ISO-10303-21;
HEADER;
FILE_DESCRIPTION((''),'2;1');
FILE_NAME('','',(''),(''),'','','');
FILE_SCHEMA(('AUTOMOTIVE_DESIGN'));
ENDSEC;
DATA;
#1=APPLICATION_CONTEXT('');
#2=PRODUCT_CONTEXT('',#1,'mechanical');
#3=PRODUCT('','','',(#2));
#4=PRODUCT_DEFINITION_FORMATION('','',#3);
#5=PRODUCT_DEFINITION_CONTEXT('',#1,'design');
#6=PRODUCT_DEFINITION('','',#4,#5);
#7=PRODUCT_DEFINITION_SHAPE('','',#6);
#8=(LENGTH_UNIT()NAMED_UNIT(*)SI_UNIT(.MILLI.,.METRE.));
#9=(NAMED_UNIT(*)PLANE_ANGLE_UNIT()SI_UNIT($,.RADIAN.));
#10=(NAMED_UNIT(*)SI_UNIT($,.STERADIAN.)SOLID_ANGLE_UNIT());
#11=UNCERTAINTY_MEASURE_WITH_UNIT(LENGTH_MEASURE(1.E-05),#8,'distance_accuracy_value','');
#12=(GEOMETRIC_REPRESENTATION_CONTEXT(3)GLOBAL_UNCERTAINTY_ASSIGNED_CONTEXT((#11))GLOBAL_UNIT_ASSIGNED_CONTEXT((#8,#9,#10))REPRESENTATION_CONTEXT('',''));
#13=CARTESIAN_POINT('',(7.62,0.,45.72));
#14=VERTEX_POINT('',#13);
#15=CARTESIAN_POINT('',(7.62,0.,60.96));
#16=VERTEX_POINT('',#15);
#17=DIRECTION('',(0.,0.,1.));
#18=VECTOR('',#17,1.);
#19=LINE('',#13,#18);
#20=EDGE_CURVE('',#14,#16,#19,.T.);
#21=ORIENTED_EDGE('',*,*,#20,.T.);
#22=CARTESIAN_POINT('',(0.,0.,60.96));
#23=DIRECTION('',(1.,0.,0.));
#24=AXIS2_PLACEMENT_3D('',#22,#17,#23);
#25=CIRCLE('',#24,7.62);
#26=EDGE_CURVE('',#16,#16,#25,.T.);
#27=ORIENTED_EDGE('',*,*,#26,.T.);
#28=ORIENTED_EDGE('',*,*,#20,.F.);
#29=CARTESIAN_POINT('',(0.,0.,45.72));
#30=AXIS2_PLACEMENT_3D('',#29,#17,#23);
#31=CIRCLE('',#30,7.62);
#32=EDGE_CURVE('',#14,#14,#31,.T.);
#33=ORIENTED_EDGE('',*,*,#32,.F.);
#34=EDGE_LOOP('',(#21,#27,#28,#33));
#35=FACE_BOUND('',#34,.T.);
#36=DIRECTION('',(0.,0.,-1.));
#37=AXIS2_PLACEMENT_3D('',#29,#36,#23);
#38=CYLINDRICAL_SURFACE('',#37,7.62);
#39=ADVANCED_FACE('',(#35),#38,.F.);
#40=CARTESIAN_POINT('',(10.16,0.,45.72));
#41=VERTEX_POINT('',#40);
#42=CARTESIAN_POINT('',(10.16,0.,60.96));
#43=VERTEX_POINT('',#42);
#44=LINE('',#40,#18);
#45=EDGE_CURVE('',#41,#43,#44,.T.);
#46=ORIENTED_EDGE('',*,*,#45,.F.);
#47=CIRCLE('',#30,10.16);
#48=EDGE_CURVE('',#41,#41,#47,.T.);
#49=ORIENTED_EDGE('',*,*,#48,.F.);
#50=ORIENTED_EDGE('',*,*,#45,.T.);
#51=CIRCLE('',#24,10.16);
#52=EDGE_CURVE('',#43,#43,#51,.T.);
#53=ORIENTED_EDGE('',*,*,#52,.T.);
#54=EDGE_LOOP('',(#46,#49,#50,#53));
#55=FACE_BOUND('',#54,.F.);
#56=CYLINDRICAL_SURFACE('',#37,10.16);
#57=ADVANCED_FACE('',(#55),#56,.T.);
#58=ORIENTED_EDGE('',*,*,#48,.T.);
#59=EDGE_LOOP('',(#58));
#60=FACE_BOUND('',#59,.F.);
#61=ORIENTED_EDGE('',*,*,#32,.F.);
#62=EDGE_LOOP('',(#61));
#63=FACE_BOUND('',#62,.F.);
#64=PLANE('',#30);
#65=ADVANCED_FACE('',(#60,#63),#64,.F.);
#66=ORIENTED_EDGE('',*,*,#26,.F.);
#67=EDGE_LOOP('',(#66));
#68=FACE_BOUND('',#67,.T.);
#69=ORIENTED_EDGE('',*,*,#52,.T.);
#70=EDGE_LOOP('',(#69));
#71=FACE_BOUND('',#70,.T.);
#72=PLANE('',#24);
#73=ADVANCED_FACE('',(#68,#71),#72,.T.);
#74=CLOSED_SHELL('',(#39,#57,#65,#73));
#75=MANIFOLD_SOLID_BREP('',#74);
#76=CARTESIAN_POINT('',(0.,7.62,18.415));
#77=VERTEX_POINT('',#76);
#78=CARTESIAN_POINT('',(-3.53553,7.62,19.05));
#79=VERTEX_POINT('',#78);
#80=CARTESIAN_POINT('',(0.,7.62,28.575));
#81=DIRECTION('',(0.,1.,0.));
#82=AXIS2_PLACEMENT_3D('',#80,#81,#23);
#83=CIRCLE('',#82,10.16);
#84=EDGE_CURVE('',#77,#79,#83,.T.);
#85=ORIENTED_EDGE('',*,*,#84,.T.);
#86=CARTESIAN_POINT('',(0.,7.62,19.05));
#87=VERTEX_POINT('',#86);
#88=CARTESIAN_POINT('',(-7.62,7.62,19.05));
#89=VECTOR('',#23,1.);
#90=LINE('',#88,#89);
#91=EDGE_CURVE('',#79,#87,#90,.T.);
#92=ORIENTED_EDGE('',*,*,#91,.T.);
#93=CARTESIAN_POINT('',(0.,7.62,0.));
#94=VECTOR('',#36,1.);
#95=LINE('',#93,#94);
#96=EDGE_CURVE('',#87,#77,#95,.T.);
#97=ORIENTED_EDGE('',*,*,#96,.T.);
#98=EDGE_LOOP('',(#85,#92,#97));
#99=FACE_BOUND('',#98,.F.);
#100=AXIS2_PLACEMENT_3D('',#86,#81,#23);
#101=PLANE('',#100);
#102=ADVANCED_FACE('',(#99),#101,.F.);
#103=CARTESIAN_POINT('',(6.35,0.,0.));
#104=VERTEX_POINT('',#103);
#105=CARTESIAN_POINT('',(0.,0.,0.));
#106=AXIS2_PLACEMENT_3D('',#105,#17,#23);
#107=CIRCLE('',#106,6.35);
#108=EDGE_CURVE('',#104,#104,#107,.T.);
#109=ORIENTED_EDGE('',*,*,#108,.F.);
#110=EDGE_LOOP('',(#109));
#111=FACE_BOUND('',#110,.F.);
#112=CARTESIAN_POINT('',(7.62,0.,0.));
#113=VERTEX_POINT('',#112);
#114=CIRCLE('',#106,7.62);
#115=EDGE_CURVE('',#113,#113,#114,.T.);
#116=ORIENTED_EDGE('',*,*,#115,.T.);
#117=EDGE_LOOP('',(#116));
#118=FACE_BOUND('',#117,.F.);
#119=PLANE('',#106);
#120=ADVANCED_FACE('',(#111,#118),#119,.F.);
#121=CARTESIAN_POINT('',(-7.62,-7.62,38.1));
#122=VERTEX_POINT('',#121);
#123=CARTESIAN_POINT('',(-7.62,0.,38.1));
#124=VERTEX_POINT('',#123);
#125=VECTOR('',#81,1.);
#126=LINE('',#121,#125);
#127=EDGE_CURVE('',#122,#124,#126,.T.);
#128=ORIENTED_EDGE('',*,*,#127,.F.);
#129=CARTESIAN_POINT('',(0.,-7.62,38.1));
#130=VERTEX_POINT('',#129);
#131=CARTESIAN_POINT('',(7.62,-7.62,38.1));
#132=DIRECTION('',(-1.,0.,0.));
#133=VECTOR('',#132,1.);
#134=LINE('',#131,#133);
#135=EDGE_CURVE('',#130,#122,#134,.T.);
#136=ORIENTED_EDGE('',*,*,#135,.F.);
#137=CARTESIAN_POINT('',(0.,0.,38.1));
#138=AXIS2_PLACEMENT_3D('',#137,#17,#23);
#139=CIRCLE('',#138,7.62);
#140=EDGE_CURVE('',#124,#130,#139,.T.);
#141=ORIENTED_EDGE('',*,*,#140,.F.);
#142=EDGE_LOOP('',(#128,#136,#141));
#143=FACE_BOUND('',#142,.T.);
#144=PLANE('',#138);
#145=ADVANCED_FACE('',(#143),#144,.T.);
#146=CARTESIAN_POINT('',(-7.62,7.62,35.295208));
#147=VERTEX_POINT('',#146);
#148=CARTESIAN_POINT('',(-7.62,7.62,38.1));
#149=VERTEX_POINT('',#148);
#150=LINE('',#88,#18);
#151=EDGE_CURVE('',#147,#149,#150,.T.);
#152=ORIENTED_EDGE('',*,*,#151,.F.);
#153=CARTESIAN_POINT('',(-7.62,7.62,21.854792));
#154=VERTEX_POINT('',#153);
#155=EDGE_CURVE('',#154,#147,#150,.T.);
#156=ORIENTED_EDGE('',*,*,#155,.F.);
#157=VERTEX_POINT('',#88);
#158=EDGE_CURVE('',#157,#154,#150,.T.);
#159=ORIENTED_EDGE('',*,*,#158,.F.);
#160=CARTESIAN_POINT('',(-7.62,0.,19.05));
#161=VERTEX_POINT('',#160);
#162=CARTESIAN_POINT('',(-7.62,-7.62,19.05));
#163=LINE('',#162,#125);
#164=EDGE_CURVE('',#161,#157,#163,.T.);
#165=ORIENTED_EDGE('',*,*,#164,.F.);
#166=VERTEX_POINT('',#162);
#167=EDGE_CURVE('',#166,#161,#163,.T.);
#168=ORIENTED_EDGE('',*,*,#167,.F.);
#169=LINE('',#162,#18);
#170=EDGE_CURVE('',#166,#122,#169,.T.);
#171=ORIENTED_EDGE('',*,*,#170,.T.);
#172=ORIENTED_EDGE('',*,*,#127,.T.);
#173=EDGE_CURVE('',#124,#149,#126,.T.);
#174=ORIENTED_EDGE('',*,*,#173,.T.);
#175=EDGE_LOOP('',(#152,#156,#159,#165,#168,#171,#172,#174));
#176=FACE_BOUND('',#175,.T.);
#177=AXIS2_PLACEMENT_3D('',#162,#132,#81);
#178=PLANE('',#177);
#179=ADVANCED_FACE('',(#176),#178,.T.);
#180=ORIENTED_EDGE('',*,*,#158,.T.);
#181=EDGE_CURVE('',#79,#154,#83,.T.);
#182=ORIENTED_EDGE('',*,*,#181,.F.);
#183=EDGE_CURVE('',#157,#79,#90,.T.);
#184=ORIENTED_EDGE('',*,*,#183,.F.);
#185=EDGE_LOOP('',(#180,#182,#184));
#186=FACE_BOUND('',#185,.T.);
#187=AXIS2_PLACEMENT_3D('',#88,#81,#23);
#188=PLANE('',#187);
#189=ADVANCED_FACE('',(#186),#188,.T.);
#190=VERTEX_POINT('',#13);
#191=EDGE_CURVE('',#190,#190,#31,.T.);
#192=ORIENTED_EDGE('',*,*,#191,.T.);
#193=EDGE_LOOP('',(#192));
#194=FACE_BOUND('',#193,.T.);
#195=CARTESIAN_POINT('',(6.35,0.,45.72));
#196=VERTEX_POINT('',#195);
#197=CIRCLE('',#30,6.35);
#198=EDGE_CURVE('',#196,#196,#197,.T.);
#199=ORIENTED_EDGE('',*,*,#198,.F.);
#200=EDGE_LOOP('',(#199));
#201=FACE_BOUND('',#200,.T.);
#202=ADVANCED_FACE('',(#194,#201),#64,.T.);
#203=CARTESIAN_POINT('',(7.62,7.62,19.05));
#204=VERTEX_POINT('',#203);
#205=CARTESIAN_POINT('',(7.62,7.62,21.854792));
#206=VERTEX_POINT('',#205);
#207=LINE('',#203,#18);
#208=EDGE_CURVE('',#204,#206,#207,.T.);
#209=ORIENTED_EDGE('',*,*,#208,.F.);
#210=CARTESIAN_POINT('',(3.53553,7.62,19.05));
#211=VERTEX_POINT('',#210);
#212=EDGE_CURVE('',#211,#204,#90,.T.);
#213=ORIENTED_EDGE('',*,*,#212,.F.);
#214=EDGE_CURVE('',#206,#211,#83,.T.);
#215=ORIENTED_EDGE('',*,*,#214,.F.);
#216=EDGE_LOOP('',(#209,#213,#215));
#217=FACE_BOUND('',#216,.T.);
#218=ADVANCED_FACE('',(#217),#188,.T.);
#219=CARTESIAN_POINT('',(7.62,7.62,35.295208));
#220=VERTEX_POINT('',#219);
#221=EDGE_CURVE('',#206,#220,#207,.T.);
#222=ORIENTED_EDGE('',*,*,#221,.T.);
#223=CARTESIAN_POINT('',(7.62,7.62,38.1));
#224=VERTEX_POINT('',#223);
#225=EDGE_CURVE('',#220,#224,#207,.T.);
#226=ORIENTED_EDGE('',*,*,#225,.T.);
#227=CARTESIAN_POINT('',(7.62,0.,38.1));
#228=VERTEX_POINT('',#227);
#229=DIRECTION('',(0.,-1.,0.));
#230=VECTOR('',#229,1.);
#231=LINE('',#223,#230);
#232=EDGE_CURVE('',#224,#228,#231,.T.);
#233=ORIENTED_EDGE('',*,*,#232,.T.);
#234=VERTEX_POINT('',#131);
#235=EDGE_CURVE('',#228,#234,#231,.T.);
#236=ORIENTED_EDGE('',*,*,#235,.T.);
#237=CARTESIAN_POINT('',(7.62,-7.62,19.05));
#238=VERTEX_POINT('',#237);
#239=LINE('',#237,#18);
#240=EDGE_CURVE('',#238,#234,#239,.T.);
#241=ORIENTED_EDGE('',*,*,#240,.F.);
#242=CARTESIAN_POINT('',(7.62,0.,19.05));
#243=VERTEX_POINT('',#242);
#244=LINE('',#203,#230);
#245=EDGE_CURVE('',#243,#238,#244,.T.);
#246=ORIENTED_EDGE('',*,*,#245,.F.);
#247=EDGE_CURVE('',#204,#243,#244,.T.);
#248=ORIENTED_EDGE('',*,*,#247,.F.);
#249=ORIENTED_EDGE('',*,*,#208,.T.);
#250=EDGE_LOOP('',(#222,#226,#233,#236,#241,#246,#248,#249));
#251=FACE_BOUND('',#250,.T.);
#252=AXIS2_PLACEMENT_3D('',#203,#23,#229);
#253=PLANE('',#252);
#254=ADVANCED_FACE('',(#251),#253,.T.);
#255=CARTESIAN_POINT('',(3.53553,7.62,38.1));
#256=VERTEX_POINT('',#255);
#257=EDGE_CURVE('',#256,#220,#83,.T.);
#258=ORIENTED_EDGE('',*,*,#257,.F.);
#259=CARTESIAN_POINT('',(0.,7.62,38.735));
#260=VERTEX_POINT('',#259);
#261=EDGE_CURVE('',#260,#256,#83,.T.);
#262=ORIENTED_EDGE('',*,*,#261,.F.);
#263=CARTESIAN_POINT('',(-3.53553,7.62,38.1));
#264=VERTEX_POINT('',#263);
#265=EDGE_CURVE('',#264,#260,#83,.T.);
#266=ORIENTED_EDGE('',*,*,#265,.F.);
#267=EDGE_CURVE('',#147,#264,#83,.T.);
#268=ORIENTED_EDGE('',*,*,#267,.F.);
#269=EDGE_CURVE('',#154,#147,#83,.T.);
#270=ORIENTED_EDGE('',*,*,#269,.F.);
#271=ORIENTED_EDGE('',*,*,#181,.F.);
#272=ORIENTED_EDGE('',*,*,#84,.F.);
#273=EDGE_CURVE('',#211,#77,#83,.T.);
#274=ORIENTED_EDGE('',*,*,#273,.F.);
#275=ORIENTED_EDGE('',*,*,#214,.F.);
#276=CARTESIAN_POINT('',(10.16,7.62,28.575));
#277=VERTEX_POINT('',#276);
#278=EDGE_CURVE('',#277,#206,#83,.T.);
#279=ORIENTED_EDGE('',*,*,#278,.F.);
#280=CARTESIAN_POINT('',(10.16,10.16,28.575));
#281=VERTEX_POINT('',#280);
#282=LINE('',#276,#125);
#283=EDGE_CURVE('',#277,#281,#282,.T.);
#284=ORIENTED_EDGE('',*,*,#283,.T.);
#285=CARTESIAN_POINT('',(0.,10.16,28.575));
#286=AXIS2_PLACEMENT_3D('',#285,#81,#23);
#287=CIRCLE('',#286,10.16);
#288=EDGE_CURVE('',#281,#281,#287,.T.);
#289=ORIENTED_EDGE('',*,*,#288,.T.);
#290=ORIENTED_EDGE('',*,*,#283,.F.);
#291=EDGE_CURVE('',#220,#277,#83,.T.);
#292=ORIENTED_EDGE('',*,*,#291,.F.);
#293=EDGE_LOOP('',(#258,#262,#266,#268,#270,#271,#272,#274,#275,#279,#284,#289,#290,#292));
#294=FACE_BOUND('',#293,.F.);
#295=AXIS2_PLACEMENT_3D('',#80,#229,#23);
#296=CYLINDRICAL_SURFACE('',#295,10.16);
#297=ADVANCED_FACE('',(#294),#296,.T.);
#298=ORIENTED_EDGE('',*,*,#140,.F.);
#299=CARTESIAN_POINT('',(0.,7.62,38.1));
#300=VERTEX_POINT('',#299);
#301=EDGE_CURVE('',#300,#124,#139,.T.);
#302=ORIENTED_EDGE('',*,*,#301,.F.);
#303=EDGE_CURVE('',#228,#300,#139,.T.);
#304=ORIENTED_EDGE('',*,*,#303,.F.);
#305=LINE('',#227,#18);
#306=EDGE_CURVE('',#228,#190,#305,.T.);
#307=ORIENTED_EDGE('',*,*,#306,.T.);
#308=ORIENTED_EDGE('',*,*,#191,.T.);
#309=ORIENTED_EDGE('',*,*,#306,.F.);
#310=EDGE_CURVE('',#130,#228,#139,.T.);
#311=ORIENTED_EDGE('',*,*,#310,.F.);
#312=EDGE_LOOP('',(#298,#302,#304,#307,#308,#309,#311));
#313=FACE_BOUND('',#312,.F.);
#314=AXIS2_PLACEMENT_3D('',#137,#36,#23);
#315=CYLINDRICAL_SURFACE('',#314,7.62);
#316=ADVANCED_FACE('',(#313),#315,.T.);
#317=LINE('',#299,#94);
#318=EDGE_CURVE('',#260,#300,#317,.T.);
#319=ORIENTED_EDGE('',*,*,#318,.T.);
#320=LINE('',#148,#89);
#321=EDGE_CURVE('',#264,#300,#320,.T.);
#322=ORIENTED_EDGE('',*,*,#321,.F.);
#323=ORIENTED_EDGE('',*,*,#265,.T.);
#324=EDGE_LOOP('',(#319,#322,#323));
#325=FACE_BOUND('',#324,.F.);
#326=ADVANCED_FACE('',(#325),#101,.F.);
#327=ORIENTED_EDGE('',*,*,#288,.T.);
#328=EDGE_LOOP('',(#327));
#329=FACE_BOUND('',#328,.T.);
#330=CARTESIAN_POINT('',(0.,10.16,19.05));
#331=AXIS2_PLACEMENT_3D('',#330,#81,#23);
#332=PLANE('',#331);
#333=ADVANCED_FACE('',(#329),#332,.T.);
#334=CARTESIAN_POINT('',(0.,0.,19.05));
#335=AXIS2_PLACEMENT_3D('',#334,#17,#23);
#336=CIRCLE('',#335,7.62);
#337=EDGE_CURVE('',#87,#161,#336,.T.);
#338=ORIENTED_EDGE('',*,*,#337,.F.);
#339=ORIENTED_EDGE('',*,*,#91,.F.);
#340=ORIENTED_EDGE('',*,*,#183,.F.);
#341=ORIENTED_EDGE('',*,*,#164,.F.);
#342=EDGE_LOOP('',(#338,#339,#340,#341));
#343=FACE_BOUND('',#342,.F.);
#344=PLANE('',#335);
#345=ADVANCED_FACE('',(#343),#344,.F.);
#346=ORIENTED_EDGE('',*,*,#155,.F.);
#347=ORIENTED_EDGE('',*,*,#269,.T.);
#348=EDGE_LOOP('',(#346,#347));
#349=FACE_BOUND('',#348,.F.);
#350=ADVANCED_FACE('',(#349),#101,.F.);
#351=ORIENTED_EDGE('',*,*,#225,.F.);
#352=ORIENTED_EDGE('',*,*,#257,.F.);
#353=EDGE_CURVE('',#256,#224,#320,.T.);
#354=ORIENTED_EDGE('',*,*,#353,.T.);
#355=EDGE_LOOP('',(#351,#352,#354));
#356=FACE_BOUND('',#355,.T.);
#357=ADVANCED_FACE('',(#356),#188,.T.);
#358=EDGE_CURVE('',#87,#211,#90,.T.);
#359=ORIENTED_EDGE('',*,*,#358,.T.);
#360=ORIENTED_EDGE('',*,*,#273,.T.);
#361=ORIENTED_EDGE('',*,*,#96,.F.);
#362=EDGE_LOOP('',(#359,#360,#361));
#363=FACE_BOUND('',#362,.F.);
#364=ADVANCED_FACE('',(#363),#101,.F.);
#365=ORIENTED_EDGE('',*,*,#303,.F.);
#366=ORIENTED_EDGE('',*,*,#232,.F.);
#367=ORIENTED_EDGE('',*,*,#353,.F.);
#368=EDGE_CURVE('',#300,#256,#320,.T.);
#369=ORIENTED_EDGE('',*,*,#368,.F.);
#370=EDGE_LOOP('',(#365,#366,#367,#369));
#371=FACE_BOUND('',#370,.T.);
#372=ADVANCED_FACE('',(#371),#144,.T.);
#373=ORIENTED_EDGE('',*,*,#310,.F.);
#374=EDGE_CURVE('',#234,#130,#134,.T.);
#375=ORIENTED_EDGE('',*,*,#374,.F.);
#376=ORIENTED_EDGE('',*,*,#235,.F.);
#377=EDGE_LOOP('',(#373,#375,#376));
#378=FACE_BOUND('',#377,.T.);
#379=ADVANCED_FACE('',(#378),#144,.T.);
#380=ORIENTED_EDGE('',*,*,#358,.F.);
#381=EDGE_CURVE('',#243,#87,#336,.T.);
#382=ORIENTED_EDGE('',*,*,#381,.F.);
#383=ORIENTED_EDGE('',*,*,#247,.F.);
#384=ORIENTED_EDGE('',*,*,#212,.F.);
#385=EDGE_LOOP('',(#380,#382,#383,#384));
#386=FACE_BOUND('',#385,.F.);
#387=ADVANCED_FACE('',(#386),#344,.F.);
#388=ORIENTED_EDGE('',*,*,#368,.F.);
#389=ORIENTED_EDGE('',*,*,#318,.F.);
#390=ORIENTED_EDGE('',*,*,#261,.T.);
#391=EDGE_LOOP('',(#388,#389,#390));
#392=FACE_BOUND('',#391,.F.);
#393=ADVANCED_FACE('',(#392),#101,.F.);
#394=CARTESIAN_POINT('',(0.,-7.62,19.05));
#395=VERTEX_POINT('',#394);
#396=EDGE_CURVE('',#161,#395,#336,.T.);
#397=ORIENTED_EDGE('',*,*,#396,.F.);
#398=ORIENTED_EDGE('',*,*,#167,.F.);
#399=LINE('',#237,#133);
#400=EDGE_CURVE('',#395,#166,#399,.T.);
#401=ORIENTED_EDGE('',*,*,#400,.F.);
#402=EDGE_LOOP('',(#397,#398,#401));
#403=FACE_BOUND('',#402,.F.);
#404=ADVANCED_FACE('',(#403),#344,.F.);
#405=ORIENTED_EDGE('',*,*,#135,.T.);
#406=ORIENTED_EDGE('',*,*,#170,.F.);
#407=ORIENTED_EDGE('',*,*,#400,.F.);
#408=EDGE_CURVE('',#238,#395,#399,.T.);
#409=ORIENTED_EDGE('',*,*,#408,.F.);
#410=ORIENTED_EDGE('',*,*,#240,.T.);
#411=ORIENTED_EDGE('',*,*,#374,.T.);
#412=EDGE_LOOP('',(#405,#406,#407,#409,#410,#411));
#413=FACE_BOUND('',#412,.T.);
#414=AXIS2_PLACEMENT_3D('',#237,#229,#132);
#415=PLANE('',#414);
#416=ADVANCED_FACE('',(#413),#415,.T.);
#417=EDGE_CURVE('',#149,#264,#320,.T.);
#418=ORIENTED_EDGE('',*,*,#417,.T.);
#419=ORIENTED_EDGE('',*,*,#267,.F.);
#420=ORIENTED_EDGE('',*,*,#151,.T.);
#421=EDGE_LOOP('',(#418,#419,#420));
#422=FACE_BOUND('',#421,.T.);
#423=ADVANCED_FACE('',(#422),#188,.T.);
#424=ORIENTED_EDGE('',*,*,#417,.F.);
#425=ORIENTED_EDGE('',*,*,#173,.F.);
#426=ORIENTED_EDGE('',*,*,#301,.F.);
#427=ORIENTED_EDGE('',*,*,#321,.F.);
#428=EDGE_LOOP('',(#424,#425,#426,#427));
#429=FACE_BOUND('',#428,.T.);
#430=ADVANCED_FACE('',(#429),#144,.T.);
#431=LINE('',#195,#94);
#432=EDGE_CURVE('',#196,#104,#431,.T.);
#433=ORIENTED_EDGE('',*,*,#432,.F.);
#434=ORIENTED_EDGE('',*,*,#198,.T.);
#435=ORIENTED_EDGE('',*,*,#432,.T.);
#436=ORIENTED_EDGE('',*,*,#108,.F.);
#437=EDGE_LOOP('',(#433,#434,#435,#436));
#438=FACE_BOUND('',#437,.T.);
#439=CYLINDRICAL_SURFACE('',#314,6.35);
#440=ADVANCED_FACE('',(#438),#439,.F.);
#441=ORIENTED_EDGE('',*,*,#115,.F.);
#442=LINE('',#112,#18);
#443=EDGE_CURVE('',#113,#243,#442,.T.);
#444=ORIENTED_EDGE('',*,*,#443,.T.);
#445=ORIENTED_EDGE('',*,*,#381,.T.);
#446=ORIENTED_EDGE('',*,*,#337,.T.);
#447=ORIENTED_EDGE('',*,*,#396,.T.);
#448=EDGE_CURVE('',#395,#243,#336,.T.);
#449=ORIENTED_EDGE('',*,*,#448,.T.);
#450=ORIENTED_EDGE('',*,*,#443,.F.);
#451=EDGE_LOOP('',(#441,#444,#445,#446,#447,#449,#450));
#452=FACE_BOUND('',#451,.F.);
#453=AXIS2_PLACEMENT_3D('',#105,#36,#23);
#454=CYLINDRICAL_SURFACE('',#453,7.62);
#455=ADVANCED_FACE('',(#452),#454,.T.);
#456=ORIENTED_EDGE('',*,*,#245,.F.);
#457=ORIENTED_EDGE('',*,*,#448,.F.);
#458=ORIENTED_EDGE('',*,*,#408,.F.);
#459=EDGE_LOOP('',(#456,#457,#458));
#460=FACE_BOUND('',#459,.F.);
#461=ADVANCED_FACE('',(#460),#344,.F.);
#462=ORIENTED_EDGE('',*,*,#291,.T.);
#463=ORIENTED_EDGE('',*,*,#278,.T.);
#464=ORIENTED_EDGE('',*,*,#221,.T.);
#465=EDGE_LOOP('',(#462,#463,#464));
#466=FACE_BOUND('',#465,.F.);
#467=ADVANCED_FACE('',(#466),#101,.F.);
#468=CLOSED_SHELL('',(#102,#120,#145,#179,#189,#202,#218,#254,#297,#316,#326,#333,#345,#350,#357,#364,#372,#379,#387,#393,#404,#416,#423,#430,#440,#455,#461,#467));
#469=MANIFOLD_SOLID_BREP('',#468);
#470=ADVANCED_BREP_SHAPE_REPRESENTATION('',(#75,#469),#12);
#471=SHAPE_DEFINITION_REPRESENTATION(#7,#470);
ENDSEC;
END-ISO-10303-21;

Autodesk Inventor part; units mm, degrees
ref_plane "YZ Plane" through (0, 0, 0) normal (1, 0, 0) x (0, 1, 0)
ref_plane "XZ Plane" through (0, 0, 0) normal (0, 1, 0) x (-1, 0, 0)
ref_plane "XY Plane" through (0, 0, 0) normal (0, 0, 1) x (1, 0, 0)
sketch "Sketch1" plane through (0, 0, 0) normal (0, 0, 1) x (1, 0, 0)
  circle A0 centre (0, 0) radius 6.35
  circle A1 centre (0, 0) radius 7.62
  dimension "d0" = 12.7
  dimension "d1" = 15.24
extrude "Extrusion1" add sketch "Sketch1" along normal blind 19.05
thread "Thread1" size "5/8-11 UNC" class "2A" standard "ANSI Unified Screw Threads" length 12.7
sketch "Sketch3" plane through (0, 0, 19.05) normal (0, 0, 1) x (1, 0, 0)
  circle A0 centre (0, 0) radius 6.35 projected
  line L0 (-7.62, 7.62) -> (7.62, 7.62)
  line L1 (7.62, 7.62) -> (7.62, -7.62)
  line L2 (7.62, -7.62) -> (-7.62, -7.62)
  line L3 (-7.62, -7.62) -> (-7.62, 7.62)
extrude "Extrusion2" add sketch "Sketch3" along normal blind 19.05
sketch "Sketch4" plane through (0, 0, 38.1) normal (0, 0, 1) x (1, 0, 0)
  circle A0 centre (0, 0) radius 6.35 projected
  circle A1 centre (0, 0) radius 6.35
  circle A2 centre (0, 0) radius 7.62
extrude "Extrusion3" add sketch "Sketch4" along normal blind 7.62
sketch "Sketch5" plane through (0, 0, 45.72) normal (0, 0, 1) x (1, 0, 0)
  circle A0 centre (0, 0) radius 7.62 projected
  circle A1 centre (0, 0) radius 7.62
  circle A2 centre (0, 0) radius 10.16
  dimension "d10" = 20.32
extrude "Extrusion4" add sketch "Sketch5" along normal blind 15.24
sketch "Sketch6" plane through (0, 7.62, 19.05) normal (0, 1, 0) x (1, 0, 0)
  circle A0 centre (0, -9.525) radius 10.16
  point P0 (0, 19.05)
  dimension "d13" = 20.32
extrude "Extrusion5" add sketch "Sketch6" along normal blind 2.54
thread "Thread2" size "5/8-11 UNC" class "2B" standard "ANSI Unified Screw Threads" length 25.4
properties part number "half inch flow valve"
